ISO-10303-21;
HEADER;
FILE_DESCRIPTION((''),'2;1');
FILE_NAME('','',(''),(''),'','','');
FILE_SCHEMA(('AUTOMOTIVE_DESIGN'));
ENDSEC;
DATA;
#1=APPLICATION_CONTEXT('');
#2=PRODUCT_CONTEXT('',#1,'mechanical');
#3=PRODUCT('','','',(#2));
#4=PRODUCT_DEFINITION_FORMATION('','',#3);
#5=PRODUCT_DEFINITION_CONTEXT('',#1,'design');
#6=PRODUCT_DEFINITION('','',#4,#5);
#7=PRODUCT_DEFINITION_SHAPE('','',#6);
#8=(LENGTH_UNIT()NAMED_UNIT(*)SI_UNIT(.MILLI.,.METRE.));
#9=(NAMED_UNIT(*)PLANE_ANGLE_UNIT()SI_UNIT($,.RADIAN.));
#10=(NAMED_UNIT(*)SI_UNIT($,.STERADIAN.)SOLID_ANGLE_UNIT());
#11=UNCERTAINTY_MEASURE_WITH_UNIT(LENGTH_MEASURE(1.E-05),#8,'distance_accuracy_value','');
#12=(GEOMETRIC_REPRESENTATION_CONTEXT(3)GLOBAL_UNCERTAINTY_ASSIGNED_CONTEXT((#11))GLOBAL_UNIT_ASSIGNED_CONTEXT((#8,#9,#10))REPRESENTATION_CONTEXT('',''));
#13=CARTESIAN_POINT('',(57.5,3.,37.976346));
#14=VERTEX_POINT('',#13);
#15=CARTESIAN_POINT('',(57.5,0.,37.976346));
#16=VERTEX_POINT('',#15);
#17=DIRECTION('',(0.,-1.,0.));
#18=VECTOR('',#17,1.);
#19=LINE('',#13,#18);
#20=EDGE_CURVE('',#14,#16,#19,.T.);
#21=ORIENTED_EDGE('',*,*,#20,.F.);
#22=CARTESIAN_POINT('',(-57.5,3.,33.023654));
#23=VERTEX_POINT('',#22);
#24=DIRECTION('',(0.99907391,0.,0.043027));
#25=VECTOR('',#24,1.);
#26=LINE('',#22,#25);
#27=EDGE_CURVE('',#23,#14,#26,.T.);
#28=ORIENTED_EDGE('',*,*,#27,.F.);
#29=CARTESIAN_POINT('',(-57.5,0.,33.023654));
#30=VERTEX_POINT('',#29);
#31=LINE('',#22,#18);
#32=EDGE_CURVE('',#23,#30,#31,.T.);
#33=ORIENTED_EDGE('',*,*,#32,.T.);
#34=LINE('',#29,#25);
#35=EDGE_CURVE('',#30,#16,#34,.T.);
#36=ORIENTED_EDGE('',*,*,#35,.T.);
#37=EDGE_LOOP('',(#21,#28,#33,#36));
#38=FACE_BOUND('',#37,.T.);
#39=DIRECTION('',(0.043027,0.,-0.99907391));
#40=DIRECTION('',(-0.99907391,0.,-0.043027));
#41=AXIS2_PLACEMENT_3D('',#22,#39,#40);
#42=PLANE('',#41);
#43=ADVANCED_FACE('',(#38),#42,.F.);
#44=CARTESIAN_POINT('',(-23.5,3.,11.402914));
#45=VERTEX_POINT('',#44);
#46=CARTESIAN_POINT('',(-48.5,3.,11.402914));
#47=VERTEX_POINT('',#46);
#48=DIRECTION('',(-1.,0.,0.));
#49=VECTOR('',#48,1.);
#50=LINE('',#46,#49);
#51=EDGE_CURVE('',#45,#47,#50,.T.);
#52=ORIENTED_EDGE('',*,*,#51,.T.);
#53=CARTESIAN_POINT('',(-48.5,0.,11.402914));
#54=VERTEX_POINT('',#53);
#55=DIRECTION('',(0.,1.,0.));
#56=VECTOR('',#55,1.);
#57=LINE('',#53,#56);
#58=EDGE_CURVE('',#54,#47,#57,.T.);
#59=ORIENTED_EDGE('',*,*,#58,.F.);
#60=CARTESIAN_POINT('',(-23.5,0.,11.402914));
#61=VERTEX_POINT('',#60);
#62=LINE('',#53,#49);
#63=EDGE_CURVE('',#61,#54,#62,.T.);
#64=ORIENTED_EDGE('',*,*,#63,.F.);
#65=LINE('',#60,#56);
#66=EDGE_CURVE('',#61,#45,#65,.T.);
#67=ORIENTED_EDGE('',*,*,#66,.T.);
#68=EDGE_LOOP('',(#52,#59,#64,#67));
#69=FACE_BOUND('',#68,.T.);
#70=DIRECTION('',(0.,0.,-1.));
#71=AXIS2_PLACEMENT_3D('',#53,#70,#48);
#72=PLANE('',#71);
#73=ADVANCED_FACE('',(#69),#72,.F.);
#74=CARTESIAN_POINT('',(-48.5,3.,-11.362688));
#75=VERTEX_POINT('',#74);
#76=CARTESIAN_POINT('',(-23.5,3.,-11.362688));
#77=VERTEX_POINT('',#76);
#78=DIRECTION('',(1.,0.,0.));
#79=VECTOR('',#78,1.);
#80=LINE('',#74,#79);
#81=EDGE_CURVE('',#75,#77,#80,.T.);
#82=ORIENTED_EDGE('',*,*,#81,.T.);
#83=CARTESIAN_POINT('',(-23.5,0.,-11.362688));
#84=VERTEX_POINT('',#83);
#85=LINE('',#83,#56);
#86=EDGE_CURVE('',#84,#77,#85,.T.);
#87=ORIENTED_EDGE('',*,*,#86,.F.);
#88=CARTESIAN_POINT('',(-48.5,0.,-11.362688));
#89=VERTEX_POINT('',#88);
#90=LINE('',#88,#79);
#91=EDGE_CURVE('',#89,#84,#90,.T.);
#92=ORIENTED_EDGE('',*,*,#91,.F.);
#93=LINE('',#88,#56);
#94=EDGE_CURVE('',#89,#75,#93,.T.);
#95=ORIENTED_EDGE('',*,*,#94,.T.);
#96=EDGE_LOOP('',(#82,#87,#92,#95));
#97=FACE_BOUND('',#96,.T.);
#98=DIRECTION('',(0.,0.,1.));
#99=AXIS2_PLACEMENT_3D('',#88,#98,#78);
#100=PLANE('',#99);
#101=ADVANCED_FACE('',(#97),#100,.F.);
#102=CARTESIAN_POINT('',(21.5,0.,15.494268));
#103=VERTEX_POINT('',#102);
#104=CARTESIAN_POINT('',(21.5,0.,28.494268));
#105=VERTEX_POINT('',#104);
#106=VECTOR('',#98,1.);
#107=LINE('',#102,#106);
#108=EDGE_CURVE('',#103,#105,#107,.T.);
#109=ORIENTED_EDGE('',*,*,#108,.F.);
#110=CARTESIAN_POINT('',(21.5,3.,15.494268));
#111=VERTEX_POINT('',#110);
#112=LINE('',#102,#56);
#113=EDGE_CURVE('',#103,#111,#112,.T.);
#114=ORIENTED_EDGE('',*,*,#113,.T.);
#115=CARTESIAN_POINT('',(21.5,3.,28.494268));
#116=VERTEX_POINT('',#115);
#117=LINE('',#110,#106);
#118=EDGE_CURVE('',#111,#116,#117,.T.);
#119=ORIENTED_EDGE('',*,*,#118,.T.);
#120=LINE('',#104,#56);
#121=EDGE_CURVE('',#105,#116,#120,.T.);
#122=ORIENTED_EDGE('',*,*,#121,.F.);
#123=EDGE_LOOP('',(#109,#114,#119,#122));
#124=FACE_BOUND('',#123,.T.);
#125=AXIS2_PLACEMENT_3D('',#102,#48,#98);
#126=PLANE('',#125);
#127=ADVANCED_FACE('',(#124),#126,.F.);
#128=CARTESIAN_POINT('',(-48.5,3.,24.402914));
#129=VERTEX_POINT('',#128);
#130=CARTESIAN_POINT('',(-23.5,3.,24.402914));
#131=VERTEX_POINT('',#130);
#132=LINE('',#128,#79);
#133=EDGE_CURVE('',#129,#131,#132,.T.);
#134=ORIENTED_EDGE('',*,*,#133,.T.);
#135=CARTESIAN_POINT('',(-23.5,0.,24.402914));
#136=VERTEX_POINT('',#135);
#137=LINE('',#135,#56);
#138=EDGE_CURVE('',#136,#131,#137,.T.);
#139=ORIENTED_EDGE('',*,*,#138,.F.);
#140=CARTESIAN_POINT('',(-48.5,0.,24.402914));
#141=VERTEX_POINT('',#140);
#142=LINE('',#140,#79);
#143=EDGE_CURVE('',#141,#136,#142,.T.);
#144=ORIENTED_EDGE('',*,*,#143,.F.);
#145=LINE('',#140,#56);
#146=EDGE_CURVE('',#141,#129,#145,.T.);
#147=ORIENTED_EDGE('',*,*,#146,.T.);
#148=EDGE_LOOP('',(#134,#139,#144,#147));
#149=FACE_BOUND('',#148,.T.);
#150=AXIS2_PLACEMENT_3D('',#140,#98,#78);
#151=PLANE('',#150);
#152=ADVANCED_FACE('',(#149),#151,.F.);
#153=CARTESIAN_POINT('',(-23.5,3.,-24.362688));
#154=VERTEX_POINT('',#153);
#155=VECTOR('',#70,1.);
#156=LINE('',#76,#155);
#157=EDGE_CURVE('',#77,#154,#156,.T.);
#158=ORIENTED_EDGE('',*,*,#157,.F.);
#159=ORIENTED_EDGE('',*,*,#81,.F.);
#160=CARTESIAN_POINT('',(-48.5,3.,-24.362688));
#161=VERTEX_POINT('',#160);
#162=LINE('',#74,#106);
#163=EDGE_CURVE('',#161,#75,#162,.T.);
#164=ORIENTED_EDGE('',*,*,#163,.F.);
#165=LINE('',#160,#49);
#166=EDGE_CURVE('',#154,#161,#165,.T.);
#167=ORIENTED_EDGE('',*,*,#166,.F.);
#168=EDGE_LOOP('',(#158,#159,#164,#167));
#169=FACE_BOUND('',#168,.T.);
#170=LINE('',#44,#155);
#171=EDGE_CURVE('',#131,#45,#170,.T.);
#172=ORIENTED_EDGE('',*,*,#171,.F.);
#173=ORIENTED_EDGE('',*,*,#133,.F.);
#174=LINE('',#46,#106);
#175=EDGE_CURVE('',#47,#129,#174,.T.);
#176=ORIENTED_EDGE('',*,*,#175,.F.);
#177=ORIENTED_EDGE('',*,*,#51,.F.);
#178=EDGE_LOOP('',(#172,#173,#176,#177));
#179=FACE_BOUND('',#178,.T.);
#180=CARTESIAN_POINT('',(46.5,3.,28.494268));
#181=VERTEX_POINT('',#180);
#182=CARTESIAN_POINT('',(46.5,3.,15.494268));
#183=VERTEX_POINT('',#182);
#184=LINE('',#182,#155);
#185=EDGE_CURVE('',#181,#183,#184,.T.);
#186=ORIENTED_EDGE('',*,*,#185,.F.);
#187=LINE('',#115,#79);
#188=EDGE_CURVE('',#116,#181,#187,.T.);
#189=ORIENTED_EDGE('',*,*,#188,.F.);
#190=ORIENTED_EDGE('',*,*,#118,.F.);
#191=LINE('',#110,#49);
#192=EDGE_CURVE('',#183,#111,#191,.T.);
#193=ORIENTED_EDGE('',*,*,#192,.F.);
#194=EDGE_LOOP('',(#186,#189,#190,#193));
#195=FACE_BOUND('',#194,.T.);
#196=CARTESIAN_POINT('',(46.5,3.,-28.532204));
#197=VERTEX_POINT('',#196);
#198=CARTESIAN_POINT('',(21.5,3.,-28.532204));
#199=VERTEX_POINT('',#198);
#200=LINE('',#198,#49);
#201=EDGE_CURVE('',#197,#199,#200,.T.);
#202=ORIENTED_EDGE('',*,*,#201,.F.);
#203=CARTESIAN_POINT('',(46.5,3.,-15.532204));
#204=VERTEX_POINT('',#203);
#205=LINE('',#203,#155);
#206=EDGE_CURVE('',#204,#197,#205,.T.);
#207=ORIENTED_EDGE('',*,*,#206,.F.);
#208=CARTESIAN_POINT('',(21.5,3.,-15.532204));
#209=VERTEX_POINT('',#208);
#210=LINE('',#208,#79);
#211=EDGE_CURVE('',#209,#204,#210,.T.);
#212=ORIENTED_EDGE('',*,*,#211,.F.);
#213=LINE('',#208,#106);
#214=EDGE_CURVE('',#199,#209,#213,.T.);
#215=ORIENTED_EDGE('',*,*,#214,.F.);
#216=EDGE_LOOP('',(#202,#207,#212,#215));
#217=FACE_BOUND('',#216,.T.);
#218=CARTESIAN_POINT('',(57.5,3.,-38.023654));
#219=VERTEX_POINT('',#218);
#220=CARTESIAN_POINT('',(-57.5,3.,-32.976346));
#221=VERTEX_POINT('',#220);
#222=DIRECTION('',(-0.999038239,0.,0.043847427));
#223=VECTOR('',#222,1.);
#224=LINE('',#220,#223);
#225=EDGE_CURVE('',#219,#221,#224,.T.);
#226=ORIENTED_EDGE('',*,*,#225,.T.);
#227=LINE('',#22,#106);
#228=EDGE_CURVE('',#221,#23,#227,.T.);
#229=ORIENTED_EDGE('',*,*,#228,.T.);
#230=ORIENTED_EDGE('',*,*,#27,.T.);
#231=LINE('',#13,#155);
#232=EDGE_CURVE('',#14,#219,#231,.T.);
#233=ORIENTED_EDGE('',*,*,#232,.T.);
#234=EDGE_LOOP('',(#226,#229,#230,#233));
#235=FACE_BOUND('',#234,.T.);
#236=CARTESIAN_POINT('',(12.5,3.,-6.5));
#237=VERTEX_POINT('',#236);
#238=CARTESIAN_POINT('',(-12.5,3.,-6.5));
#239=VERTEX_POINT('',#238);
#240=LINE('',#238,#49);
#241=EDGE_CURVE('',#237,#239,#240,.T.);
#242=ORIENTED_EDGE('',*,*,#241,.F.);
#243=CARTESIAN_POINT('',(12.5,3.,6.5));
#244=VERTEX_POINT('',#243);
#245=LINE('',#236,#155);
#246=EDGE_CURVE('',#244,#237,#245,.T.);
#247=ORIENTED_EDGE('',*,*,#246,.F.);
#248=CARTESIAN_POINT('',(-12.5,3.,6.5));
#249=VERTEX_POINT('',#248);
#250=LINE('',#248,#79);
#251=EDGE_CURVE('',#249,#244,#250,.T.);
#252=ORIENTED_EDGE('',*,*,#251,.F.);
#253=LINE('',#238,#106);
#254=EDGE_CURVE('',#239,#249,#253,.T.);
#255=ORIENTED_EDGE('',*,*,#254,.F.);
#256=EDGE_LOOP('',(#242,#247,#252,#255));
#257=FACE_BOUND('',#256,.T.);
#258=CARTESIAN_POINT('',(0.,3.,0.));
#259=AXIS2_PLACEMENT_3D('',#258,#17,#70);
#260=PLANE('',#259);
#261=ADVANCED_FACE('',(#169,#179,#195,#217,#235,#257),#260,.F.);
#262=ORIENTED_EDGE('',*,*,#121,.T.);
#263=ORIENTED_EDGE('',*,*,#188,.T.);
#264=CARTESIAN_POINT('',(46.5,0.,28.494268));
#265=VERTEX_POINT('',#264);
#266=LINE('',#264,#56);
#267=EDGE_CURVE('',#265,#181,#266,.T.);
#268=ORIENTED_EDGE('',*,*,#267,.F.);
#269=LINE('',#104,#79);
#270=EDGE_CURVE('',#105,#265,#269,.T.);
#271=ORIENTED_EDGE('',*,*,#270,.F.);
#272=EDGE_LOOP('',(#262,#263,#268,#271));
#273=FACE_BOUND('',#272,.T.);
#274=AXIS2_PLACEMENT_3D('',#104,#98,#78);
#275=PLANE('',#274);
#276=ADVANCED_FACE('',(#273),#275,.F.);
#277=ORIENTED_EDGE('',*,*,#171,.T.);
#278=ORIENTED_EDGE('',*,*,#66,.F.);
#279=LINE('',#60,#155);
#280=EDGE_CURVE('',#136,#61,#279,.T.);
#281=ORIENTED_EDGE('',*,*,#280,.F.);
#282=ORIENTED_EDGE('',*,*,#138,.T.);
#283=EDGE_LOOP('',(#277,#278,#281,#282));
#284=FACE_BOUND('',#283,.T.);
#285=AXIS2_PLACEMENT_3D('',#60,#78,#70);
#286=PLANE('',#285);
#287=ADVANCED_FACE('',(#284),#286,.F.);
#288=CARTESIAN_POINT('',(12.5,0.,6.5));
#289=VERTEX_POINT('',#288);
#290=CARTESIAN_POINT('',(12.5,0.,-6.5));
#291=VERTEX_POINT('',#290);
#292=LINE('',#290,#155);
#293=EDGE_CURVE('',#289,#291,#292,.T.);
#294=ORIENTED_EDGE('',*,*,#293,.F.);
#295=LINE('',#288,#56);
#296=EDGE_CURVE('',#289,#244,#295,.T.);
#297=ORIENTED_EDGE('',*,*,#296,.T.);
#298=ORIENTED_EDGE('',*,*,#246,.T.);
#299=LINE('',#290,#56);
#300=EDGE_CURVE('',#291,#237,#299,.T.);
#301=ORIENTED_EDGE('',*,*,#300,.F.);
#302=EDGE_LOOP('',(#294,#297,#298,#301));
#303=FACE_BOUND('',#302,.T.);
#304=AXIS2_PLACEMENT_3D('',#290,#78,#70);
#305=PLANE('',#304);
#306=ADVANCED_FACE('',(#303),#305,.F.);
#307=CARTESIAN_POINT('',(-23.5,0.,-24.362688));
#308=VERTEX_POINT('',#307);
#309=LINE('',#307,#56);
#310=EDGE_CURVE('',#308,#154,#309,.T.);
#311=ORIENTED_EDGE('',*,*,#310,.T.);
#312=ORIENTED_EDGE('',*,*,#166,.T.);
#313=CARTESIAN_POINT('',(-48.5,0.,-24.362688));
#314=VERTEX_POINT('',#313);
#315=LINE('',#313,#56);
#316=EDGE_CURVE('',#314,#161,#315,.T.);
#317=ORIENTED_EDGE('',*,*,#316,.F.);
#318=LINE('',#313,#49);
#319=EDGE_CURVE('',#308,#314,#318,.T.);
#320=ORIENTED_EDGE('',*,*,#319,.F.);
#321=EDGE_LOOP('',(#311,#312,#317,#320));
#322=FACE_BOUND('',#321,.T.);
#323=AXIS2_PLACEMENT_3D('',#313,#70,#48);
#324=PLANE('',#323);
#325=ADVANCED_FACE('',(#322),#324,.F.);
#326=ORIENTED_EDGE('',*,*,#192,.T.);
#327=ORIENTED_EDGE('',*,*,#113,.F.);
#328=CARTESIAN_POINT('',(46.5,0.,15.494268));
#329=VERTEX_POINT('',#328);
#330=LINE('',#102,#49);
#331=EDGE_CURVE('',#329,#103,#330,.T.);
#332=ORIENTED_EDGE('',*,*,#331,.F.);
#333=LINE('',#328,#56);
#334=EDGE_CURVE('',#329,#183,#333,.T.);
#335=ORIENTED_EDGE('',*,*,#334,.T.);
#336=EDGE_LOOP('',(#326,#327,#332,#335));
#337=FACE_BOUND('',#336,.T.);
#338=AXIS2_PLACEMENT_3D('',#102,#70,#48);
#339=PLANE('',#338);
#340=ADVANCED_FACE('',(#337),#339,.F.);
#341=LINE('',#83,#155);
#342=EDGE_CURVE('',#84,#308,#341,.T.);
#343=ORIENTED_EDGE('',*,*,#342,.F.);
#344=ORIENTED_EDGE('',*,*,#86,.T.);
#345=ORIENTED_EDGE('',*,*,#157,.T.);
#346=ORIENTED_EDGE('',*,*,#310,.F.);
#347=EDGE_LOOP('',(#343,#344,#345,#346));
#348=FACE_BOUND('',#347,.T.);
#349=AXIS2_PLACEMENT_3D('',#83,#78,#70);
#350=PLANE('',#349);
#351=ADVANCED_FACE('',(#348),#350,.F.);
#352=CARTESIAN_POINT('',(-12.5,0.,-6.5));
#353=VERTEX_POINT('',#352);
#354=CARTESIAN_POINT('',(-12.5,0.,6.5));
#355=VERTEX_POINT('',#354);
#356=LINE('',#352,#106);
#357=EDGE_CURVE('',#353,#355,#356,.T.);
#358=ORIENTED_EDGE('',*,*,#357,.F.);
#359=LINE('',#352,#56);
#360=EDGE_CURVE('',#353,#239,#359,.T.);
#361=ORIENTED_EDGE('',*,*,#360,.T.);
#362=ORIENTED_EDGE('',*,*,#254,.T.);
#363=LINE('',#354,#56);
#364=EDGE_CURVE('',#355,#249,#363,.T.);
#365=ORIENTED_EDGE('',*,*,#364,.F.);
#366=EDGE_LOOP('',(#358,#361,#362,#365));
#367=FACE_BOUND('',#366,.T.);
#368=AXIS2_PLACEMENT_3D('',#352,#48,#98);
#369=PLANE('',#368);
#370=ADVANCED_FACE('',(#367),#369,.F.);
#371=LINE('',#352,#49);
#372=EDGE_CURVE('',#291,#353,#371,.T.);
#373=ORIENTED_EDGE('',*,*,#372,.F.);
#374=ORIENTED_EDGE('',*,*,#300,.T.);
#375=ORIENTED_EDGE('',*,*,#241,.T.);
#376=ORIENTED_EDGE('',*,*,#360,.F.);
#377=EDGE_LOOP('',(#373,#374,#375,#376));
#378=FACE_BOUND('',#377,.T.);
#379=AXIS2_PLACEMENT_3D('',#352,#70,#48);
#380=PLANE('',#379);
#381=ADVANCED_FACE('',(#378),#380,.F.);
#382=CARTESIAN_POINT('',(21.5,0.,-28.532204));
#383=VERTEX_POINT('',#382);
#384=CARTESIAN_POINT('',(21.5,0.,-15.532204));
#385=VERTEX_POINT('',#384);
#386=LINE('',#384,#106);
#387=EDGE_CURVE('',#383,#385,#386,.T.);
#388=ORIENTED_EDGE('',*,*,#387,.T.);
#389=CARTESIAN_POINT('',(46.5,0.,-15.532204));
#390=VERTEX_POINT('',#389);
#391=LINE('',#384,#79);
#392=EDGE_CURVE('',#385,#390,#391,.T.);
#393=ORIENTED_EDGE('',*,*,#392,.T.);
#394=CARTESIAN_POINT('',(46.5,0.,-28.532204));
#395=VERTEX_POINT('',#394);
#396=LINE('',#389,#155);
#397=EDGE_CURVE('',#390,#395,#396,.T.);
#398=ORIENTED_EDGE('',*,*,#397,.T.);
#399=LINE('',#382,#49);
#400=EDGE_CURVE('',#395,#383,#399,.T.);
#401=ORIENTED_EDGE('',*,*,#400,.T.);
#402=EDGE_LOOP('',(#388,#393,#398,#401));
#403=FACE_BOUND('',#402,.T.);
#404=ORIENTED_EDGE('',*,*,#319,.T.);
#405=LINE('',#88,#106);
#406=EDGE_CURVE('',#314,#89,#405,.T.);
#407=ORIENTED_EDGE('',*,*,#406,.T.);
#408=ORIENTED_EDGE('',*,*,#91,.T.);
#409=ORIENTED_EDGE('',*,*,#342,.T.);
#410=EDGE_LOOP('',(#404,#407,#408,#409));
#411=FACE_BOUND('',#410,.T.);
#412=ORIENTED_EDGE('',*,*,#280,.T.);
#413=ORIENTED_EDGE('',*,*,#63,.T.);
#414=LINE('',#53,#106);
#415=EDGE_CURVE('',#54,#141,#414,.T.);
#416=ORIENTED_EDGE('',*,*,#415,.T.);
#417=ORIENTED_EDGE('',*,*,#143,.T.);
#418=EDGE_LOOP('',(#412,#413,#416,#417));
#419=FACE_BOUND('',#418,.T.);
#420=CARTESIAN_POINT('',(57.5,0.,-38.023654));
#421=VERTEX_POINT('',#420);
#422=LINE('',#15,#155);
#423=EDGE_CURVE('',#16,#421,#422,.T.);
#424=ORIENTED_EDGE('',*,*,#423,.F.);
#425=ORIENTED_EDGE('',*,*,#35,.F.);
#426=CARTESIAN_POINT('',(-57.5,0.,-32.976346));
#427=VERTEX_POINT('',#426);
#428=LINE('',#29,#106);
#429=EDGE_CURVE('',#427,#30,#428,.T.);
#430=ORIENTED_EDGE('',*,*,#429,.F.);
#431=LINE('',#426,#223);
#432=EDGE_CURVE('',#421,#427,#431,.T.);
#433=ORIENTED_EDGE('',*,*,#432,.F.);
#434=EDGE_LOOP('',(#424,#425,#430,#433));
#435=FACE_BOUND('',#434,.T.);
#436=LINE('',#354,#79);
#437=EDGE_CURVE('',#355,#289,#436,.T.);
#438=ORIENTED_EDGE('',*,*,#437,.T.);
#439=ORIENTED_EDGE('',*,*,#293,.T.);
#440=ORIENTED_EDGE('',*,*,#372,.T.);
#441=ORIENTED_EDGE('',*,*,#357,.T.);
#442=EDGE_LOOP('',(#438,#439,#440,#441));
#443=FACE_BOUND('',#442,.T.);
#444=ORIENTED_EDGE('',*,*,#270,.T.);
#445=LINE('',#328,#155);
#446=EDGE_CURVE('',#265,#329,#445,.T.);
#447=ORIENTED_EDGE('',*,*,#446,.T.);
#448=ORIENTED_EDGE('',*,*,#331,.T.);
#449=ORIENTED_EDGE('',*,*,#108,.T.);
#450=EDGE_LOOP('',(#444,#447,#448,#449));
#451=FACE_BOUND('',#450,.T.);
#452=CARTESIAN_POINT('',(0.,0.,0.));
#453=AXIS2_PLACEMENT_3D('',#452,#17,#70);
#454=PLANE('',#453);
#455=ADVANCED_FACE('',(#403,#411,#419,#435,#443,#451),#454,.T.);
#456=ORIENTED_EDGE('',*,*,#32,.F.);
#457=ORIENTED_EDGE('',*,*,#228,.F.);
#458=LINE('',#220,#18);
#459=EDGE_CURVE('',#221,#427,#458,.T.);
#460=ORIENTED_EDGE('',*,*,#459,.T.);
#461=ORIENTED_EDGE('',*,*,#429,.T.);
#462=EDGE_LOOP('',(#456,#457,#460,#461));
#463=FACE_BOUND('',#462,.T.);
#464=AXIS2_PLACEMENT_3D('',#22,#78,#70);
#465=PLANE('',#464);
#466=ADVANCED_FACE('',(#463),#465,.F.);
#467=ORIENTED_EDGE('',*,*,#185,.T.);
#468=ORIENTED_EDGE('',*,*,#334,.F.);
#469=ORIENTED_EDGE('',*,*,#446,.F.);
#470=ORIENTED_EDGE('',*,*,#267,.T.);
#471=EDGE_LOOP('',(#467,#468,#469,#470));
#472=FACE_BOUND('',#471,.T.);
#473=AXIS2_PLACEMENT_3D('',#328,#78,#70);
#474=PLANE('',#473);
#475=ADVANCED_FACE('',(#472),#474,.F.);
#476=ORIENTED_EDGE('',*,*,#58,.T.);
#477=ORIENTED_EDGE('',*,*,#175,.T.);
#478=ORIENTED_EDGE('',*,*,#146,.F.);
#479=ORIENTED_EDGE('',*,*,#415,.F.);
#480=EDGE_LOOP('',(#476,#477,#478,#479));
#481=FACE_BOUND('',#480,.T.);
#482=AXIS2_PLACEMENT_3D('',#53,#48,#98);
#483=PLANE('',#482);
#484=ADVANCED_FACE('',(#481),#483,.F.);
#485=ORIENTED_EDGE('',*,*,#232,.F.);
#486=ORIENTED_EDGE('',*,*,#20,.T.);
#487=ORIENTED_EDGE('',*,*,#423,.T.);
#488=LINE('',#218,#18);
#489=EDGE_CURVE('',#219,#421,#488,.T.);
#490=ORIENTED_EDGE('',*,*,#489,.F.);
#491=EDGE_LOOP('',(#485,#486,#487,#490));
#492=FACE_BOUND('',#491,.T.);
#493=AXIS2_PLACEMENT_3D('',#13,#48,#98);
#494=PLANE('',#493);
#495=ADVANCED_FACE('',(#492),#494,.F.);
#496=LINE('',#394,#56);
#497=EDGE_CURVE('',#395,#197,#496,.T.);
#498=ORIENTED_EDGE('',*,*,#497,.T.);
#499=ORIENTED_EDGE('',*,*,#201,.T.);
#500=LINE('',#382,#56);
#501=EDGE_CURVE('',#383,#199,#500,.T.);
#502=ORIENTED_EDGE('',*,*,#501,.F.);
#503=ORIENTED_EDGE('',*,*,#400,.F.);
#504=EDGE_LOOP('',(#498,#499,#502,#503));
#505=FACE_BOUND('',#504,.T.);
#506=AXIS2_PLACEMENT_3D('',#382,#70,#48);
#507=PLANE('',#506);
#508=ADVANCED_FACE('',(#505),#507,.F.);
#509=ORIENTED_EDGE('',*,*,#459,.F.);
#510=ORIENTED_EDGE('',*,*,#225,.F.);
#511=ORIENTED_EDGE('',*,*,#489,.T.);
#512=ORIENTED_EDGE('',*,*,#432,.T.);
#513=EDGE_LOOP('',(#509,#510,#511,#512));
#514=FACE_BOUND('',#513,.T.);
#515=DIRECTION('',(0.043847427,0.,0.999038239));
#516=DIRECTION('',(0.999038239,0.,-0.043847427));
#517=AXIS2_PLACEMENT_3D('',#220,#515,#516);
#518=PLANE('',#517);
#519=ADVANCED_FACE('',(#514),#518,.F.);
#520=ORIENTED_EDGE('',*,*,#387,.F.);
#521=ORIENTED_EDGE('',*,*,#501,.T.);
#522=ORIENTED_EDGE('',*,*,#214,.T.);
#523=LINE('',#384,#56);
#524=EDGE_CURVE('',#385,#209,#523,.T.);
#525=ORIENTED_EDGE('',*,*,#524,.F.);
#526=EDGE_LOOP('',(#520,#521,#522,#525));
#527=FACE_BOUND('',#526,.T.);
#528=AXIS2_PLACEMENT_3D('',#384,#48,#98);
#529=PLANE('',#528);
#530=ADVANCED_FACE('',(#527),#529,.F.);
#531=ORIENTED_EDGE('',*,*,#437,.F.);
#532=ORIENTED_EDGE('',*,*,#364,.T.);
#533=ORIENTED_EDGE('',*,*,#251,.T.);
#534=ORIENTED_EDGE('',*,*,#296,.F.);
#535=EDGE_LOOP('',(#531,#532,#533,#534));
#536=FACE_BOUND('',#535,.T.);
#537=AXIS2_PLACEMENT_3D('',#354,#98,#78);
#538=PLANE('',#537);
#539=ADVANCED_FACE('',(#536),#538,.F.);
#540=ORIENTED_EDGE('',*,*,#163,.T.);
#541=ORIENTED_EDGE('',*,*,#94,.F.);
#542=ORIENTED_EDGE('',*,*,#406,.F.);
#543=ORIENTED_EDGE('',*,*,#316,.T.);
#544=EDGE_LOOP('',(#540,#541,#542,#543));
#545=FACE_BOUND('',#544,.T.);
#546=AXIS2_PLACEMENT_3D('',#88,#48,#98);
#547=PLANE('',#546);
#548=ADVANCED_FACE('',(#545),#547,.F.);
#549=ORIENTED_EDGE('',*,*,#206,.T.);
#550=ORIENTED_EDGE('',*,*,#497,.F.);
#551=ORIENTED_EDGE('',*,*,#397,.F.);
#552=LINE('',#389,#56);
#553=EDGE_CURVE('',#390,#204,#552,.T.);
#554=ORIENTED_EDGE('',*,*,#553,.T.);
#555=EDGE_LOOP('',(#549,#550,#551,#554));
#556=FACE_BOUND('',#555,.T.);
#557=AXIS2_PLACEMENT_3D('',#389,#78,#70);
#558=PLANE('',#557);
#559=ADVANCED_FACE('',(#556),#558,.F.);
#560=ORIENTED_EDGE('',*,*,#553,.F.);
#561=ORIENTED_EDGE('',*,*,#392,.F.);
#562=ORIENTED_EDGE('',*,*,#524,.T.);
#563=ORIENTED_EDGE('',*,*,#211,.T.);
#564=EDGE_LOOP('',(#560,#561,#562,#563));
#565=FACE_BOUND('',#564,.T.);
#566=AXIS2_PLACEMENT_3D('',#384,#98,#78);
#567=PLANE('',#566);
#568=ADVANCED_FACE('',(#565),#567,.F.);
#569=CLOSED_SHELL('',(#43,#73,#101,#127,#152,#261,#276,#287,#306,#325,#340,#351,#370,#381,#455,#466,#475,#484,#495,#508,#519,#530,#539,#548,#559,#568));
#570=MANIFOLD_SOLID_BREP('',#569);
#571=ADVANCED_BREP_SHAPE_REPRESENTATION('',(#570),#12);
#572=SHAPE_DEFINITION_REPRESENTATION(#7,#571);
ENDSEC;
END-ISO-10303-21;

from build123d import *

# Parameters (mm, degrees)
BOSS_EXTRUDE1_DEPTH = 3
SKETCH2_W           = 25
SKETCH2_H           = 13
CUT_EXTRUDE1_DEPTH  = 3


with BuildPart() as part:
    # Sketch1 → Boss-Extrude1 (new body)
    with BuildSketch(Plane(origin=(0, 0, 0), x_dir=(1, 0, 0), z_dir=(0, 1, 0))):
        Polygon((-57.5, -33.023654191), (57.5, -37.976345809), (57.5, 38.023654191), (-57.5, 32.976345809), align=None)
    extrude(amount=BOSS_EXTRUDE1_DEPTH)

    # Sketch2 → Cut-Extrude1 (cut)
    with BuildSketch(Plane(origin=(0, 3, 0), x_dir=(1, 0, 0), z_dir=(0, 1, 0))):
        with Locations((34, -21.994267552)):
            Rectangle(SKETCH2_W, SKETCH2_H)
        Rectangle(SKETCH2_W, SKETCH2_H)
        with Locations((-36, -17.902913606)):
            Rectangle(SKETCH2_W, SKETCH2_H)
        with Locations((-36, 17.862688371)):
            Rectangle(SKETCH2_W, SKETCH2_H)
        with Locations((34, 22.032203991)):
            Rectangle(SKETCH2_W, SKETCH2_H)
    extrude(amount=-CUT_EXTRUDE1_DEPTH, mode=Mode.SUBTRACT)


solid = part.part
